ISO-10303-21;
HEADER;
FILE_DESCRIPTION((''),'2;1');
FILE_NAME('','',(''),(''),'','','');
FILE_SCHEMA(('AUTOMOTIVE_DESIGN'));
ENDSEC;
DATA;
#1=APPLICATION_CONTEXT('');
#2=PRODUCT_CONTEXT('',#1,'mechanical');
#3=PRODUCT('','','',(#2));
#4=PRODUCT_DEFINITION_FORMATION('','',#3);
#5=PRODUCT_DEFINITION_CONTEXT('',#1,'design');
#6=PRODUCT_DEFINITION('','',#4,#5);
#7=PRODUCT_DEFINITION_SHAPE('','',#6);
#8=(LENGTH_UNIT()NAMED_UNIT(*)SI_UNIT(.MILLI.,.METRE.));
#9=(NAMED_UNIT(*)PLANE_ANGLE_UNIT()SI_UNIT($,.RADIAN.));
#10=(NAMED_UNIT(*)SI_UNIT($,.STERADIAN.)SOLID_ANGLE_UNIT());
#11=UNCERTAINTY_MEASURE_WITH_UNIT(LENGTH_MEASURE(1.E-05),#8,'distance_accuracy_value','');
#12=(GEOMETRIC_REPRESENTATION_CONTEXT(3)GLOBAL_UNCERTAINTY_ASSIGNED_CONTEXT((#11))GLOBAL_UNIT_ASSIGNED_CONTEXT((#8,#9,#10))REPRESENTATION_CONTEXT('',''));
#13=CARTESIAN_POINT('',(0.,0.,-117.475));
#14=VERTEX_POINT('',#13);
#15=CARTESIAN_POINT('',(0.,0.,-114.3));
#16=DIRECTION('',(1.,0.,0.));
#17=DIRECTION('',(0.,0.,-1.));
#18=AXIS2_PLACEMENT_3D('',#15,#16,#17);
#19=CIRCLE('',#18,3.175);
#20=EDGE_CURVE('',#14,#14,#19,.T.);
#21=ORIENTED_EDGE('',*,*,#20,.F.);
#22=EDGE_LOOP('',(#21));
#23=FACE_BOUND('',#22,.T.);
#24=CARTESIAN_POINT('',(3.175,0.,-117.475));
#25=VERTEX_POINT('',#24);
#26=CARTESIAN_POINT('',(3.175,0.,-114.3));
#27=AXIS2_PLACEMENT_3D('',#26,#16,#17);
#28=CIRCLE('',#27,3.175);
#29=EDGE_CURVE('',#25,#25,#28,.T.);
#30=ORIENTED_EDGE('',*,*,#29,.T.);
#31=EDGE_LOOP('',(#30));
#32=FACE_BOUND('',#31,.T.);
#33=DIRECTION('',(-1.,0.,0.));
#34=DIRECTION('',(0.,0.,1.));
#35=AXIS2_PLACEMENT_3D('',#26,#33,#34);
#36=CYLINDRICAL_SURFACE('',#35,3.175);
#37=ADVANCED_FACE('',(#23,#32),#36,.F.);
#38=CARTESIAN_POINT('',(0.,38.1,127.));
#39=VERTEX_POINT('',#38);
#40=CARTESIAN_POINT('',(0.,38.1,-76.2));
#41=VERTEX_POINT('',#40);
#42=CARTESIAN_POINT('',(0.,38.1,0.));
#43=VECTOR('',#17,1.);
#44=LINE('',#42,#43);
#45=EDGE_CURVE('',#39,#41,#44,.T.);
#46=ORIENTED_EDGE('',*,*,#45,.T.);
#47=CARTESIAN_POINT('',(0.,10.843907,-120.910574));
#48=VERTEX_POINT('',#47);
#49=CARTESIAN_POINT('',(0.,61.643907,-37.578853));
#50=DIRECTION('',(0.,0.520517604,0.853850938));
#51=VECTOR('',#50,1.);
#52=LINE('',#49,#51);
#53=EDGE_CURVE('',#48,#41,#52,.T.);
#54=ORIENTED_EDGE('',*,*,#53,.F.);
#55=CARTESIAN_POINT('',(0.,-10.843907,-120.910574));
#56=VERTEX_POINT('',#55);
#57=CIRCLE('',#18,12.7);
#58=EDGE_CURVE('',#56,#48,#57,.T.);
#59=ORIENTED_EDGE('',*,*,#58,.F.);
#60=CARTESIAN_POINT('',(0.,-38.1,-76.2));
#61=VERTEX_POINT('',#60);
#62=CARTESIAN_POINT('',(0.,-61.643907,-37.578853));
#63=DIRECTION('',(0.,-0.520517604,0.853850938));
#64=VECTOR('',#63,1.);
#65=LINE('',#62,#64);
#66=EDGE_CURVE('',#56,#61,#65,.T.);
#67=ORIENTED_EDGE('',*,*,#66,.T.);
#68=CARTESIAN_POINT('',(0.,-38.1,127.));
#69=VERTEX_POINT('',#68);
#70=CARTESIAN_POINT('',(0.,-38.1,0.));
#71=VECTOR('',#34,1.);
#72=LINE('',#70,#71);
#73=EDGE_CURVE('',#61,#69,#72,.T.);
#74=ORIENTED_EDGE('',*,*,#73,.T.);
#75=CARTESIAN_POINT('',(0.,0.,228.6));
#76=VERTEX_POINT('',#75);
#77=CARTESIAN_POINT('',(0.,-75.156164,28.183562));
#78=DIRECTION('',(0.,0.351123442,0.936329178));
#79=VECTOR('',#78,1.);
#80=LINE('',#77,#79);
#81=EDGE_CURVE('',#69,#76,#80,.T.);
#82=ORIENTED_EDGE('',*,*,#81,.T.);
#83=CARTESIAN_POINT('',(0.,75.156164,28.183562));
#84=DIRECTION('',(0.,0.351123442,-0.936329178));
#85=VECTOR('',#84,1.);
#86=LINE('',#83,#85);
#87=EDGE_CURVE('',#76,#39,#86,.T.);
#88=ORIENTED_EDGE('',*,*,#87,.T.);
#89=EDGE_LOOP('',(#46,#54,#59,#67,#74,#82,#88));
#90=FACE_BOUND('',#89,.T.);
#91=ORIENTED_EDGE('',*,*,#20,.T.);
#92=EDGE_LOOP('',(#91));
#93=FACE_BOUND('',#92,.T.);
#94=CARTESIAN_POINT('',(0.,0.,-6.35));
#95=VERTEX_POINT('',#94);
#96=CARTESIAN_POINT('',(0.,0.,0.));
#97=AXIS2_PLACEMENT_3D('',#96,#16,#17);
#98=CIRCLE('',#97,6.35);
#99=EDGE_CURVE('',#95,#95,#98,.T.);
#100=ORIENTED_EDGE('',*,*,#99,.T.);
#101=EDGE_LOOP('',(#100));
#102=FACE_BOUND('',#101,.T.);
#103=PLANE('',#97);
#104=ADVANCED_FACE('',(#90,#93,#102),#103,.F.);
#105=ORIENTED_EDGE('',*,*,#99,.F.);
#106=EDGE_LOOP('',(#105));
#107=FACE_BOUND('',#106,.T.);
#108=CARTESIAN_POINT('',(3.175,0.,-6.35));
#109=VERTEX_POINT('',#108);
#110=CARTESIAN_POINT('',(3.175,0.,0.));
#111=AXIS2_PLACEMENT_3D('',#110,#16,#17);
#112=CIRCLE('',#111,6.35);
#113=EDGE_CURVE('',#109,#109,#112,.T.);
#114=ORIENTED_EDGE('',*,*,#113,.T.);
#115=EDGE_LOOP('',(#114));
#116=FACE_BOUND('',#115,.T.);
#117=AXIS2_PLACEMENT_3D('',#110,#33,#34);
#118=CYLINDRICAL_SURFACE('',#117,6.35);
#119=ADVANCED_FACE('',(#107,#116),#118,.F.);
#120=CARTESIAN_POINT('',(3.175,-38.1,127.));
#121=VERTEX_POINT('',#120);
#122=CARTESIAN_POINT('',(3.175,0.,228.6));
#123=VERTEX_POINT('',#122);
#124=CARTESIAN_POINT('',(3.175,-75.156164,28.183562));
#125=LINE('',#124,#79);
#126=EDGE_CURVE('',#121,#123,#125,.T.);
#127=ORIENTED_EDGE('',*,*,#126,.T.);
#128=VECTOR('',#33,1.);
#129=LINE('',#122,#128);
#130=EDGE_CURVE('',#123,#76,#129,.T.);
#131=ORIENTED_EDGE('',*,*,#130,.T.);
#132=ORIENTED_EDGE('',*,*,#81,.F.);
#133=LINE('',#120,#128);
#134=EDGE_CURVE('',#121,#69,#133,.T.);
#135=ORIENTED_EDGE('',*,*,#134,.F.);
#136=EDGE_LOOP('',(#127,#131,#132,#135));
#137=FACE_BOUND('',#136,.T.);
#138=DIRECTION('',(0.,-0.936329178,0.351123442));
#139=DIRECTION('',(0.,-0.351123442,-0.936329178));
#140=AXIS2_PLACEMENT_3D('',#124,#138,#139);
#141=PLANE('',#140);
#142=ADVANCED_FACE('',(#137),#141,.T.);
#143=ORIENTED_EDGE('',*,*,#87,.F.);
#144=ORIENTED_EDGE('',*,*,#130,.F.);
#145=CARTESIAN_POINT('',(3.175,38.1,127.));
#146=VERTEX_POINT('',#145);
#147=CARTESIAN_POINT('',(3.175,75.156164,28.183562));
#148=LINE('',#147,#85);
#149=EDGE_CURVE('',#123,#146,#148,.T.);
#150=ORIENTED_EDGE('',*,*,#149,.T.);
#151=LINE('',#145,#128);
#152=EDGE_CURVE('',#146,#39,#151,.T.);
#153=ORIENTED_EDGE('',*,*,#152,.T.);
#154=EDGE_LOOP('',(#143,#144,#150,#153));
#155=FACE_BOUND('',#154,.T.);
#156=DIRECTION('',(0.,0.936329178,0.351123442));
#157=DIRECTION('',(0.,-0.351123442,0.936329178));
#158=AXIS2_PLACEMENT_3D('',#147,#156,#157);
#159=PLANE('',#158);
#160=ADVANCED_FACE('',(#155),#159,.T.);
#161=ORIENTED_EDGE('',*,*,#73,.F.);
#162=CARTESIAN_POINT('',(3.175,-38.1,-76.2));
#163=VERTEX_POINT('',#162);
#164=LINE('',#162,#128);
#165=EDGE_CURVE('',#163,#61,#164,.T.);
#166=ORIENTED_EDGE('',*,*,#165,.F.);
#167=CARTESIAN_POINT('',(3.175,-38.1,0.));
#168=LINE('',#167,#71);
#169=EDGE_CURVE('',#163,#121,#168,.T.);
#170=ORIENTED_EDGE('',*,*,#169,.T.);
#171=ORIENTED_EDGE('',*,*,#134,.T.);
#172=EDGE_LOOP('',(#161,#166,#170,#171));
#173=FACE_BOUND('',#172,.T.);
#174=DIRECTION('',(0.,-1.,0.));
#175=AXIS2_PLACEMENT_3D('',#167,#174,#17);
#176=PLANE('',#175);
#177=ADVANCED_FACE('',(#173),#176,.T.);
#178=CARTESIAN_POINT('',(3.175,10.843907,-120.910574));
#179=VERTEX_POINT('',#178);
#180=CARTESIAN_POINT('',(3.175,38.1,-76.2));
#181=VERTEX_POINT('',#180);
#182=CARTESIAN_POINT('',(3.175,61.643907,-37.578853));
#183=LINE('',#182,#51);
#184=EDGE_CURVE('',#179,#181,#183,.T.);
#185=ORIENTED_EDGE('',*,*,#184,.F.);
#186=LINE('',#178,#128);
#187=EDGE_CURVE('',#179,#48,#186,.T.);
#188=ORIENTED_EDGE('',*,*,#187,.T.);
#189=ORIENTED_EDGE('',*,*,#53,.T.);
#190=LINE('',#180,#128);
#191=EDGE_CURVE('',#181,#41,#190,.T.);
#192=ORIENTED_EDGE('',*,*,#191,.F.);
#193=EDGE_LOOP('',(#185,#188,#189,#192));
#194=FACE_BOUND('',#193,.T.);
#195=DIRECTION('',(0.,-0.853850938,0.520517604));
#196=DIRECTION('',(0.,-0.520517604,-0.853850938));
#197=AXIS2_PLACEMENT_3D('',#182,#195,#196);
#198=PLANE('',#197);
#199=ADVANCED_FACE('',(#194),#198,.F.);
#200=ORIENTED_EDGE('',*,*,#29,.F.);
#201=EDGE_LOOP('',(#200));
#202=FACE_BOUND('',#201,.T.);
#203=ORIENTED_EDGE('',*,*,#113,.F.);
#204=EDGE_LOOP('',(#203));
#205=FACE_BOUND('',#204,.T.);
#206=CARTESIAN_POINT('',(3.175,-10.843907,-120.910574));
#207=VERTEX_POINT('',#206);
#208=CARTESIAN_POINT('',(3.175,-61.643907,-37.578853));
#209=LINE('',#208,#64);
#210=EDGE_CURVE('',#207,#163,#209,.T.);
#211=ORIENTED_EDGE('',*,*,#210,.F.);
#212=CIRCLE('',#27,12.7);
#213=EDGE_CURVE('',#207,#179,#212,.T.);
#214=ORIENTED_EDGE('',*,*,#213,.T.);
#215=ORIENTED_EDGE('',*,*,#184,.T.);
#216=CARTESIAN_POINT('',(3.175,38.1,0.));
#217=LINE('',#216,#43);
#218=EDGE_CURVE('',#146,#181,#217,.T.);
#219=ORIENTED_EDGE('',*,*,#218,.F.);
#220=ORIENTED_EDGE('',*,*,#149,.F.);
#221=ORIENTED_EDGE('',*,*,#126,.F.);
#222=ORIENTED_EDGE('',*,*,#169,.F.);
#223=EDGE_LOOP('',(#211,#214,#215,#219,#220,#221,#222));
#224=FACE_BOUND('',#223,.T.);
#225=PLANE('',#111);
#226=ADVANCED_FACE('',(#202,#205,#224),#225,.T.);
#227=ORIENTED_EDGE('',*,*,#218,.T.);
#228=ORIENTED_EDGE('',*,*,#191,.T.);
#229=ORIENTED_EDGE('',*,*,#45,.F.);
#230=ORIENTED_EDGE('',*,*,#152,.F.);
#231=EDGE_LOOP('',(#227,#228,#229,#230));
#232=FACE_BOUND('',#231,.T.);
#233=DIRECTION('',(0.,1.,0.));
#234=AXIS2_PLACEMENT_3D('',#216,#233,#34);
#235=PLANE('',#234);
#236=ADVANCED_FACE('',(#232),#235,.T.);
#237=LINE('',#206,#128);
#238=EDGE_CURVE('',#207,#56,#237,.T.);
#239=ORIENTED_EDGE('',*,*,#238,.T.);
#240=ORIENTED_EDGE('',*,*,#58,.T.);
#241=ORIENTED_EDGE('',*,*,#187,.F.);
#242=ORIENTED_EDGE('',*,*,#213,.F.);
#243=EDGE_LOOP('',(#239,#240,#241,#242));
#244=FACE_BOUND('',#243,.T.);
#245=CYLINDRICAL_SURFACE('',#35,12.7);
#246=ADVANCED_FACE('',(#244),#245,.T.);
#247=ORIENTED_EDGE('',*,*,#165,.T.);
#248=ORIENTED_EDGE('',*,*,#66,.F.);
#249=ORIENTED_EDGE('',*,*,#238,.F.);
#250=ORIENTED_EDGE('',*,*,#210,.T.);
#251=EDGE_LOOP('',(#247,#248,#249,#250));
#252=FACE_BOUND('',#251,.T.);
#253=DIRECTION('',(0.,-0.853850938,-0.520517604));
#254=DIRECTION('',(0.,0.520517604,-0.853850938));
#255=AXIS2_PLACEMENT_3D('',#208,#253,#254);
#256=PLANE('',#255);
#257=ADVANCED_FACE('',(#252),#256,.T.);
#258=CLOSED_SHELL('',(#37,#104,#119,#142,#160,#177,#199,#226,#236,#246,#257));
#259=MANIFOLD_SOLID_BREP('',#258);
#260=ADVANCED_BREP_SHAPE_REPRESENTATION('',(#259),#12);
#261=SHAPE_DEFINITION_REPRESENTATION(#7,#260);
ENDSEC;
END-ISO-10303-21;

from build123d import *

# Parameters (mm, degrees)
SKETCH1_R           = 6.35
SKETCH1_R_2         = 3.175
BOSS_EXTRUDE1_DEPTH = 3.175


with BuildPart() as part:
    # Sketch1 → Boss-Extrude1 (new body)
    # profile 1 of 2: a face of its own
    with BuildSketch(Plane.YZ):
        Polygon((0, 228.6), (-38.1, 127), (-38.1, -76.2), (-16.334358657, -111.904101294), (-12.7, -97.366666667), (12.7, -97.366666667), (16.334358657, -111.904101294), (38.1, -76.2), (38.1, 127), align=None)
        with Locations(Location((0, 0, 0), (0, 0, 270))):
            Circle(SKETCH1_R, mode=Mode.SUBTRACT)
    # profile 2 of 2: a face of its own
    with BuildSketch(Plane.YZ):
        with BuildLine():
            Line((-12.7, -97.366666667), (-16.334358657, -111.904101294))
            Line((-16.334358657, -111.904101294), (-10.843906908, -120.910573574))
            ThreePointArc((-10.843906908, -120.910573574), (0, -127), (10.843906908, -120.910573574))
            Line((10.843906908, -120.910573574), (16.334358657, -111.904101294))
            Line((16.334358657, -111.904101294), (12.7, -97.366666667))
            Line((12.7, -97.366666667), (-12.7, -97.366666667))
        make_face()
        with Locations(Location((0, -114.3, 0), (0, 0, 270))):
            Circle(SKETCH1_R_2, mode=Mode.SUBTRACT)
    extrude(amount=BOSS_EXTRUDE1_DEPTH)


solid = part.part
